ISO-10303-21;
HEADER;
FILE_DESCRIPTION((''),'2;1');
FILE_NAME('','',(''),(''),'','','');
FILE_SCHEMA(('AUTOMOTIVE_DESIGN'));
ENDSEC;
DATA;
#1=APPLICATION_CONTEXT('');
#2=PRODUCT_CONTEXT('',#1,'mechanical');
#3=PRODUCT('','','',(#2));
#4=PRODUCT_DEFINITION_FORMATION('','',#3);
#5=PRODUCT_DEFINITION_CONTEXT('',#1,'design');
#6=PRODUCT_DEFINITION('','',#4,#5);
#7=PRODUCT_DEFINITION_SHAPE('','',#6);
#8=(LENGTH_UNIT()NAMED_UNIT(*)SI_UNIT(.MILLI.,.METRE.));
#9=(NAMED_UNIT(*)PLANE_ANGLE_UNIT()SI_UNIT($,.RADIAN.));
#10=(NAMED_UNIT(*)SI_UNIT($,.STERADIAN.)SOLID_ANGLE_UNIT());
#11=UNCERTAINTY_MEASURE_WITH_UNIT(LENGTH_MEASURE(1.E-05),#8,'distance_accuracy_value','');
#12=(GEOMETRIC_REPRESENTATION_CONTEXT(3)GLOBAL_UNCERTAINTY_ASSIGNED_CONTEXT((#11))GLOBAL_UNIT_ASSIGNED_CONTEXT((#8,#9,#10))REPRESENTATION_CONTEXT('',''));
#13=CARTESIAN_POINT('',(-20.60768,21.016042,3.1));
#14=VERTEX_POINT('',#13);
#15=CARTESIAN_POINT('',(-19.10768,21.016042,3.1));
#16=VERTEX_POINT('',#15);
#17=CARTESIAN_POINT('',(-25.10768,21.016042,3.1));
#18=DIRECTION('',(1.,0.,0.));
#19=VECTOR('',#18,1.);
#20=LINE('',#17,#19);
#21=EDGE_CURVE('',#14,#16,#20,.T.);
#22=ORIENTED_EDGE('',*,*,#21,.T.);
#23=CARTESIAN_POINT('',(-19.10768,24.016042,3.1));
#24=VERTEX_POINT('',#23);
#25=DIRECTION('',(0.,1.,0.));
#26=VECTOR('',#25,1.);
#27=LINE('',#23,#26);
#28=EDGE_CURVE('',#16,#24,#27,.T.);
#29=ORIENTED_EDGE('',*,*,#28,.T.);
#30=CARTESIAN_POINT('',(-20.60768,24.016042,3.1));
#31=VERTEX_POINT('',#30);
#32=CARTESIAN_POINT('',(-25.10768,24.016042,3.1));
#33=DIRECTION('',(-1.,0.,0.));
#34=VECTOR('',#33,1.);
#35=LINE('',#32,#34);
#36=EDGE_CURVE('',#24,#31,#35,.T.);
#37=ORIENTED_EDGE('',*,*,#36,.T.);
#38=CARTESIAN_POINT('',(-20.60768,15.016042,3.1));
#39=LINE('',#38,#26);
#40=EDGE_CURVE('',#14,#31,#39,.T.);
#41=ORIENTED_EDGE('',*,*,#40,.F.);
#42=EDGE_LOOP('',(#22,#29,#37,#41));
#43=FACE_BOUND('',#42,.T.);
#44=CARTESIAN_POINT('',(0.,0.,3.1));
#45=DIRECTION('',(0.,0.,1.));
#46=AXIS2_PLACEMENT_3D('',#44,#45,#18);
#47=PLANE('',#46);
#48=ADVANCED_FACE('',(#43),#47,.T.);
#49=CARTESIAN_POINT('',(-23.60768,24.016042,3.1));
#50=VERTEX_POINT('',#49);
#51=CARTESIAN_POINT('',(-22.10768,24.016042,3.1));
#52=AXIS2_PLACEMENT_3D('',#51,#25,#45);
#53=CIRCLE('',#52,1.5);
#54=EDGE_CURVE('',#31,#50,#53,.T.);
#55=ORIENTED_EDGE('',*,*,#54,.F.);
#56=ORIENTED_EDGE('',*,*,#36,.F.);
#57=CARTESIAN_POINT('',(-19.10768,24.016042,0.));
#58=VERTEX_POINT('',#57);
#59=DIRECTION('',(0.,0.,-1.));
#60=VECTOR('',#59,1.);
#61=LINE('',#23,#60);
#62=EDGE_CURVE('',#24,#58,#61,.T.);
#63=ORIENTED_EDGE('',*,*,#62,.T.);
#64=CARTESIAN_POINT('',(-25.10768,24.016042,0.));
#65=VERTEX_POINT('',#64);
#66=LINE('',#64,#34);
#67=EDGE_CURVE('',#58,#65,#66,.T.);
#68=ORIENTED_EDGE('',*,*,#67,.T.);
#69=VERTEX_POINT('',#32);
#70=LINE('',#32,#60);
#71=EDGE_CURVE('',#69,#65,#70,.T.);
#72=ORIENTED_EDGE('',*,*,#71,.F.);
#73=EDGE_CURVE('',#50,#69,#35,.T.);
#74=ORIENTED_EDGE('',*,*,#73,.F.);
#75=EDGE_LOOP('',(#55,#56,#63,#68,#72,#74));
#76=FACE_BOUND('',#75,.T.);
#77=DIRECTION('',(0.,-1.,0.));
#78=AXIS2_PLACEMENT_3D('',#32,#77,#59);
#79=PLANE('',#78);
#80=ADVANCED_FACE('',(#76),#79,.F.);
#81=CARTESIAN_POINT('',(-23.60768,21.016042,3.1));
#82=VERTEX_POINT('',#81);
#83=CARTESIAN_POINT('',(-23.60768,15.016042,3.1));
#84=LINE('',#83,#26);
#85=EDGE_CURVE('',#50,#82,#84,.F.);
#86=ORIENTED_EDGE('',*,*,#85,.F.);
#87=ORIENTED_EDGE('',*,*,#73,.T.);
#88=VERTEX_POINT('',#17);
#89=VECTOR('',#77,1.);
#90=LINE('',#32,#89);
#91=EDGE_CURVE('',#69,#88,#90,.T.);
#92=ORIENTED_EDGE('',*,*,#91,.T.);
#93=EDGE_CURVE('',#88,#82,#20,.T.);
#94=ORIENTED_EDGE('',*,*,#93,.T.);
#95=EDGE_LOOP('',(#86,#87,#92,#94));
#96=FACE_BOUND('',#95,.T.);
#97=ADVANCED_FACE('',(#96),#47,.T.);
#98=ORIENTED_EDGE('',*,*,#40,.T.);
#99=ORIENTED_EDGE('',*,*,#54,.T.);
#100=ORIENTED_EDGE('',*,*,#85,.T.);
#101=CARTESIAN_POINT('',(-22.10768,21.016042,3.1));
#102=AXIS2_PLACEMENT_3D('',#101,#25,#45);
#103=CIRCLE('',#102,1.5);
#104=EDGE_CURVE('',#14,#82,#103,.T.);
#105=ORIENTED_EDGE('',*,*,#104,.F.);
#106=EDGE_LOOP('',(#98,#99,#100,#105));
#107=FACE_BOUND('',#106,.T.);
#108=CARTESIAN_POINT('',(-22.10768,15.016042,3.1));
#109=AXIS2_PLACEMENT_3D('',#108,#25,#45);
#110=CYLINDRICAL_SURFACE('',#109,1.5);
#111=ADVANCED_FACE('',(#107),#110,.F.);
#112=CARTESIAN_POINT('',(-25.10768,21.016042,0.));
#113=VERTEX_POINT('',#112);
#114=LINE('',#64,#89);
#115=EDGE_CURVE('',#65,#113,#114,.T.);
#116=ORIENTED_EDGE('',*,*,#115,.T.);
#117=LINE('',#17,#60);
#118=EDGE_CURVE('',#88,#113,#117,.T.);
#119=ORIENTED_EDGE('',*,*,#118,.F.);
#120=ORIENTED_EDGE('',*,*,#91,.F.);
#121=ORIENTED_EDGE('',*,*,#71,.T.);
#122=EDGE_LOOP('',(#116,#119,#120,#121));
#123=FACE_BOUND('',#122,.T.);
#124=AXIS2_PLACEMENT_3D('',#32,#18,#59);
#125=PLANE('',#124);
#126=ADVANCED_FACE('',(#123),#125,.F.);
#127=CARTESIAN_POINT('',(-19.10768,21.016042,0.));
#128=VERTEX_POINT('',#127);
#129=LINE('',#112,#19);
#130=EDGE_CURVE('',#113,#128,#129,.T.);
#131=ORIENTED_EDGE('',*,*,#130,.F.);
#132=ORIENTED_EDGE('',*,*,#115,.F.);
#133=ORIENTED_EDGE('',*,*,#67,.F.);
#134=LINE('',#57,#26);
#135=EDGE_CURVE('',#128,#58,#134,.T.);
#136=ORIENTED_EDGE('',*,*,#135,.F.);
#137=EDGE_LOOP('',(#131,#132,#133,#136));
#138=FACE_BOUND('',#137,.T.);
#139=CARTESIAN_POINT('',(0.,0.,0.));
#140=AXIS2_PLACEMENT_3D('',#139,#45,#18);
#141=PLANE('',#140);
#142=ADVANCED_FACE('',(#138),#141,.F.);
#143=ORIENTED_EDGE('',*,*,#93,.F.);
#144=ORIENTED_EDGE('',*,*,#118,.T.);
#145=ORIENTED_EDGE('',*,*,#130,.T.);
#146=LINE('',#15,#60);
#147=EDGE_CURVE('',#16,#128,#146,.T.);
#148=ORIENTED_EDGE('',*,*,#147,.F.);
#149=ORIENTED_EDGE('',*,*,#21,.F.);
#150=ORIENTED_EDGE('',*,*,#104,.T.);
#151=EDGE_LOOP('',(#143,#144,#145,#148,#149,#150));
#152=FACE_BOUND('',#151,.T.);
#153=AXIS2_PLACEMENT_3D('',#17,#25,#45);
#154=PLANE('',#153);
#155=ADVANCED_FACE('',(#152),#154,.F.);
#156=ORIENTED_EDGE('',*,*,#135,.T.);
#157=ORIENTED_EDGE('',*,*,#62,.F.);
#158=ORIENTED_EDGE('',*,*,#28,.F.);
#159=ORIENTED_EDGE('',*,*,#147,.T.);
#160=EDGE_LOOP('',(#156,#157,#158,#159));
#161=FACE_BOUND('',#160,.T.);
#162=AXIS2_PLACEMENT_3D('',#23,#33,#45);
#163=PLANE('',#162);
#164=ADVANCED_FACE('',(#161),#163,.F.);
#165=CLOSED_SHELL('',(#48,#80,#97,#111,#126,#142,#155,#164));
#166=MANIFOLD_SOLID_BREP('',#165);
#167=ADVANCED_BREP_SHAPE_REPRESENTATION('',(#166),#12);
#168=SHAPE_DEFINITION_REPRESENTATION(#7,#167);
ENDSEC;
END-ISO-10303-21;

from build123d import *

# Parameters (mm, degrees)
SKETCH1_W           = 6
SKETCH1_H           = 3
BOSS_EXTRUDE1_DEPTH = 3.1
SKETCH2_R           = 1.5
CUT_EXTRUDE1_DEPTH  = 9


with BuildPart() as part:
    # Sketch1 → Boss-Extrude1 (new body)
    with BuildSketch(Plane.XY):
        with Locations((-22.107679988, 22.516041728)):
            Rectangle(SKETCH1_W, SKETCH1_H)
    extrude(amount=BOSS_EXTRUDE1_DEPTH)

    # Sketch2 → Cut-Extrude1 (cut)
    with BuildSketch(Plane(origin=(0, 24.016041728, 0), x_dir=(1, 0, 0), z_dir=(0, 1, 0))):
        with Locations((-22.107679988, -3.1)):
            Circle(SKETCH2_R)
    extrude(amount=-CUT_EXTRUDE1_DEPTH, mode=Mode.SUBTRACT)


solid = part.part
